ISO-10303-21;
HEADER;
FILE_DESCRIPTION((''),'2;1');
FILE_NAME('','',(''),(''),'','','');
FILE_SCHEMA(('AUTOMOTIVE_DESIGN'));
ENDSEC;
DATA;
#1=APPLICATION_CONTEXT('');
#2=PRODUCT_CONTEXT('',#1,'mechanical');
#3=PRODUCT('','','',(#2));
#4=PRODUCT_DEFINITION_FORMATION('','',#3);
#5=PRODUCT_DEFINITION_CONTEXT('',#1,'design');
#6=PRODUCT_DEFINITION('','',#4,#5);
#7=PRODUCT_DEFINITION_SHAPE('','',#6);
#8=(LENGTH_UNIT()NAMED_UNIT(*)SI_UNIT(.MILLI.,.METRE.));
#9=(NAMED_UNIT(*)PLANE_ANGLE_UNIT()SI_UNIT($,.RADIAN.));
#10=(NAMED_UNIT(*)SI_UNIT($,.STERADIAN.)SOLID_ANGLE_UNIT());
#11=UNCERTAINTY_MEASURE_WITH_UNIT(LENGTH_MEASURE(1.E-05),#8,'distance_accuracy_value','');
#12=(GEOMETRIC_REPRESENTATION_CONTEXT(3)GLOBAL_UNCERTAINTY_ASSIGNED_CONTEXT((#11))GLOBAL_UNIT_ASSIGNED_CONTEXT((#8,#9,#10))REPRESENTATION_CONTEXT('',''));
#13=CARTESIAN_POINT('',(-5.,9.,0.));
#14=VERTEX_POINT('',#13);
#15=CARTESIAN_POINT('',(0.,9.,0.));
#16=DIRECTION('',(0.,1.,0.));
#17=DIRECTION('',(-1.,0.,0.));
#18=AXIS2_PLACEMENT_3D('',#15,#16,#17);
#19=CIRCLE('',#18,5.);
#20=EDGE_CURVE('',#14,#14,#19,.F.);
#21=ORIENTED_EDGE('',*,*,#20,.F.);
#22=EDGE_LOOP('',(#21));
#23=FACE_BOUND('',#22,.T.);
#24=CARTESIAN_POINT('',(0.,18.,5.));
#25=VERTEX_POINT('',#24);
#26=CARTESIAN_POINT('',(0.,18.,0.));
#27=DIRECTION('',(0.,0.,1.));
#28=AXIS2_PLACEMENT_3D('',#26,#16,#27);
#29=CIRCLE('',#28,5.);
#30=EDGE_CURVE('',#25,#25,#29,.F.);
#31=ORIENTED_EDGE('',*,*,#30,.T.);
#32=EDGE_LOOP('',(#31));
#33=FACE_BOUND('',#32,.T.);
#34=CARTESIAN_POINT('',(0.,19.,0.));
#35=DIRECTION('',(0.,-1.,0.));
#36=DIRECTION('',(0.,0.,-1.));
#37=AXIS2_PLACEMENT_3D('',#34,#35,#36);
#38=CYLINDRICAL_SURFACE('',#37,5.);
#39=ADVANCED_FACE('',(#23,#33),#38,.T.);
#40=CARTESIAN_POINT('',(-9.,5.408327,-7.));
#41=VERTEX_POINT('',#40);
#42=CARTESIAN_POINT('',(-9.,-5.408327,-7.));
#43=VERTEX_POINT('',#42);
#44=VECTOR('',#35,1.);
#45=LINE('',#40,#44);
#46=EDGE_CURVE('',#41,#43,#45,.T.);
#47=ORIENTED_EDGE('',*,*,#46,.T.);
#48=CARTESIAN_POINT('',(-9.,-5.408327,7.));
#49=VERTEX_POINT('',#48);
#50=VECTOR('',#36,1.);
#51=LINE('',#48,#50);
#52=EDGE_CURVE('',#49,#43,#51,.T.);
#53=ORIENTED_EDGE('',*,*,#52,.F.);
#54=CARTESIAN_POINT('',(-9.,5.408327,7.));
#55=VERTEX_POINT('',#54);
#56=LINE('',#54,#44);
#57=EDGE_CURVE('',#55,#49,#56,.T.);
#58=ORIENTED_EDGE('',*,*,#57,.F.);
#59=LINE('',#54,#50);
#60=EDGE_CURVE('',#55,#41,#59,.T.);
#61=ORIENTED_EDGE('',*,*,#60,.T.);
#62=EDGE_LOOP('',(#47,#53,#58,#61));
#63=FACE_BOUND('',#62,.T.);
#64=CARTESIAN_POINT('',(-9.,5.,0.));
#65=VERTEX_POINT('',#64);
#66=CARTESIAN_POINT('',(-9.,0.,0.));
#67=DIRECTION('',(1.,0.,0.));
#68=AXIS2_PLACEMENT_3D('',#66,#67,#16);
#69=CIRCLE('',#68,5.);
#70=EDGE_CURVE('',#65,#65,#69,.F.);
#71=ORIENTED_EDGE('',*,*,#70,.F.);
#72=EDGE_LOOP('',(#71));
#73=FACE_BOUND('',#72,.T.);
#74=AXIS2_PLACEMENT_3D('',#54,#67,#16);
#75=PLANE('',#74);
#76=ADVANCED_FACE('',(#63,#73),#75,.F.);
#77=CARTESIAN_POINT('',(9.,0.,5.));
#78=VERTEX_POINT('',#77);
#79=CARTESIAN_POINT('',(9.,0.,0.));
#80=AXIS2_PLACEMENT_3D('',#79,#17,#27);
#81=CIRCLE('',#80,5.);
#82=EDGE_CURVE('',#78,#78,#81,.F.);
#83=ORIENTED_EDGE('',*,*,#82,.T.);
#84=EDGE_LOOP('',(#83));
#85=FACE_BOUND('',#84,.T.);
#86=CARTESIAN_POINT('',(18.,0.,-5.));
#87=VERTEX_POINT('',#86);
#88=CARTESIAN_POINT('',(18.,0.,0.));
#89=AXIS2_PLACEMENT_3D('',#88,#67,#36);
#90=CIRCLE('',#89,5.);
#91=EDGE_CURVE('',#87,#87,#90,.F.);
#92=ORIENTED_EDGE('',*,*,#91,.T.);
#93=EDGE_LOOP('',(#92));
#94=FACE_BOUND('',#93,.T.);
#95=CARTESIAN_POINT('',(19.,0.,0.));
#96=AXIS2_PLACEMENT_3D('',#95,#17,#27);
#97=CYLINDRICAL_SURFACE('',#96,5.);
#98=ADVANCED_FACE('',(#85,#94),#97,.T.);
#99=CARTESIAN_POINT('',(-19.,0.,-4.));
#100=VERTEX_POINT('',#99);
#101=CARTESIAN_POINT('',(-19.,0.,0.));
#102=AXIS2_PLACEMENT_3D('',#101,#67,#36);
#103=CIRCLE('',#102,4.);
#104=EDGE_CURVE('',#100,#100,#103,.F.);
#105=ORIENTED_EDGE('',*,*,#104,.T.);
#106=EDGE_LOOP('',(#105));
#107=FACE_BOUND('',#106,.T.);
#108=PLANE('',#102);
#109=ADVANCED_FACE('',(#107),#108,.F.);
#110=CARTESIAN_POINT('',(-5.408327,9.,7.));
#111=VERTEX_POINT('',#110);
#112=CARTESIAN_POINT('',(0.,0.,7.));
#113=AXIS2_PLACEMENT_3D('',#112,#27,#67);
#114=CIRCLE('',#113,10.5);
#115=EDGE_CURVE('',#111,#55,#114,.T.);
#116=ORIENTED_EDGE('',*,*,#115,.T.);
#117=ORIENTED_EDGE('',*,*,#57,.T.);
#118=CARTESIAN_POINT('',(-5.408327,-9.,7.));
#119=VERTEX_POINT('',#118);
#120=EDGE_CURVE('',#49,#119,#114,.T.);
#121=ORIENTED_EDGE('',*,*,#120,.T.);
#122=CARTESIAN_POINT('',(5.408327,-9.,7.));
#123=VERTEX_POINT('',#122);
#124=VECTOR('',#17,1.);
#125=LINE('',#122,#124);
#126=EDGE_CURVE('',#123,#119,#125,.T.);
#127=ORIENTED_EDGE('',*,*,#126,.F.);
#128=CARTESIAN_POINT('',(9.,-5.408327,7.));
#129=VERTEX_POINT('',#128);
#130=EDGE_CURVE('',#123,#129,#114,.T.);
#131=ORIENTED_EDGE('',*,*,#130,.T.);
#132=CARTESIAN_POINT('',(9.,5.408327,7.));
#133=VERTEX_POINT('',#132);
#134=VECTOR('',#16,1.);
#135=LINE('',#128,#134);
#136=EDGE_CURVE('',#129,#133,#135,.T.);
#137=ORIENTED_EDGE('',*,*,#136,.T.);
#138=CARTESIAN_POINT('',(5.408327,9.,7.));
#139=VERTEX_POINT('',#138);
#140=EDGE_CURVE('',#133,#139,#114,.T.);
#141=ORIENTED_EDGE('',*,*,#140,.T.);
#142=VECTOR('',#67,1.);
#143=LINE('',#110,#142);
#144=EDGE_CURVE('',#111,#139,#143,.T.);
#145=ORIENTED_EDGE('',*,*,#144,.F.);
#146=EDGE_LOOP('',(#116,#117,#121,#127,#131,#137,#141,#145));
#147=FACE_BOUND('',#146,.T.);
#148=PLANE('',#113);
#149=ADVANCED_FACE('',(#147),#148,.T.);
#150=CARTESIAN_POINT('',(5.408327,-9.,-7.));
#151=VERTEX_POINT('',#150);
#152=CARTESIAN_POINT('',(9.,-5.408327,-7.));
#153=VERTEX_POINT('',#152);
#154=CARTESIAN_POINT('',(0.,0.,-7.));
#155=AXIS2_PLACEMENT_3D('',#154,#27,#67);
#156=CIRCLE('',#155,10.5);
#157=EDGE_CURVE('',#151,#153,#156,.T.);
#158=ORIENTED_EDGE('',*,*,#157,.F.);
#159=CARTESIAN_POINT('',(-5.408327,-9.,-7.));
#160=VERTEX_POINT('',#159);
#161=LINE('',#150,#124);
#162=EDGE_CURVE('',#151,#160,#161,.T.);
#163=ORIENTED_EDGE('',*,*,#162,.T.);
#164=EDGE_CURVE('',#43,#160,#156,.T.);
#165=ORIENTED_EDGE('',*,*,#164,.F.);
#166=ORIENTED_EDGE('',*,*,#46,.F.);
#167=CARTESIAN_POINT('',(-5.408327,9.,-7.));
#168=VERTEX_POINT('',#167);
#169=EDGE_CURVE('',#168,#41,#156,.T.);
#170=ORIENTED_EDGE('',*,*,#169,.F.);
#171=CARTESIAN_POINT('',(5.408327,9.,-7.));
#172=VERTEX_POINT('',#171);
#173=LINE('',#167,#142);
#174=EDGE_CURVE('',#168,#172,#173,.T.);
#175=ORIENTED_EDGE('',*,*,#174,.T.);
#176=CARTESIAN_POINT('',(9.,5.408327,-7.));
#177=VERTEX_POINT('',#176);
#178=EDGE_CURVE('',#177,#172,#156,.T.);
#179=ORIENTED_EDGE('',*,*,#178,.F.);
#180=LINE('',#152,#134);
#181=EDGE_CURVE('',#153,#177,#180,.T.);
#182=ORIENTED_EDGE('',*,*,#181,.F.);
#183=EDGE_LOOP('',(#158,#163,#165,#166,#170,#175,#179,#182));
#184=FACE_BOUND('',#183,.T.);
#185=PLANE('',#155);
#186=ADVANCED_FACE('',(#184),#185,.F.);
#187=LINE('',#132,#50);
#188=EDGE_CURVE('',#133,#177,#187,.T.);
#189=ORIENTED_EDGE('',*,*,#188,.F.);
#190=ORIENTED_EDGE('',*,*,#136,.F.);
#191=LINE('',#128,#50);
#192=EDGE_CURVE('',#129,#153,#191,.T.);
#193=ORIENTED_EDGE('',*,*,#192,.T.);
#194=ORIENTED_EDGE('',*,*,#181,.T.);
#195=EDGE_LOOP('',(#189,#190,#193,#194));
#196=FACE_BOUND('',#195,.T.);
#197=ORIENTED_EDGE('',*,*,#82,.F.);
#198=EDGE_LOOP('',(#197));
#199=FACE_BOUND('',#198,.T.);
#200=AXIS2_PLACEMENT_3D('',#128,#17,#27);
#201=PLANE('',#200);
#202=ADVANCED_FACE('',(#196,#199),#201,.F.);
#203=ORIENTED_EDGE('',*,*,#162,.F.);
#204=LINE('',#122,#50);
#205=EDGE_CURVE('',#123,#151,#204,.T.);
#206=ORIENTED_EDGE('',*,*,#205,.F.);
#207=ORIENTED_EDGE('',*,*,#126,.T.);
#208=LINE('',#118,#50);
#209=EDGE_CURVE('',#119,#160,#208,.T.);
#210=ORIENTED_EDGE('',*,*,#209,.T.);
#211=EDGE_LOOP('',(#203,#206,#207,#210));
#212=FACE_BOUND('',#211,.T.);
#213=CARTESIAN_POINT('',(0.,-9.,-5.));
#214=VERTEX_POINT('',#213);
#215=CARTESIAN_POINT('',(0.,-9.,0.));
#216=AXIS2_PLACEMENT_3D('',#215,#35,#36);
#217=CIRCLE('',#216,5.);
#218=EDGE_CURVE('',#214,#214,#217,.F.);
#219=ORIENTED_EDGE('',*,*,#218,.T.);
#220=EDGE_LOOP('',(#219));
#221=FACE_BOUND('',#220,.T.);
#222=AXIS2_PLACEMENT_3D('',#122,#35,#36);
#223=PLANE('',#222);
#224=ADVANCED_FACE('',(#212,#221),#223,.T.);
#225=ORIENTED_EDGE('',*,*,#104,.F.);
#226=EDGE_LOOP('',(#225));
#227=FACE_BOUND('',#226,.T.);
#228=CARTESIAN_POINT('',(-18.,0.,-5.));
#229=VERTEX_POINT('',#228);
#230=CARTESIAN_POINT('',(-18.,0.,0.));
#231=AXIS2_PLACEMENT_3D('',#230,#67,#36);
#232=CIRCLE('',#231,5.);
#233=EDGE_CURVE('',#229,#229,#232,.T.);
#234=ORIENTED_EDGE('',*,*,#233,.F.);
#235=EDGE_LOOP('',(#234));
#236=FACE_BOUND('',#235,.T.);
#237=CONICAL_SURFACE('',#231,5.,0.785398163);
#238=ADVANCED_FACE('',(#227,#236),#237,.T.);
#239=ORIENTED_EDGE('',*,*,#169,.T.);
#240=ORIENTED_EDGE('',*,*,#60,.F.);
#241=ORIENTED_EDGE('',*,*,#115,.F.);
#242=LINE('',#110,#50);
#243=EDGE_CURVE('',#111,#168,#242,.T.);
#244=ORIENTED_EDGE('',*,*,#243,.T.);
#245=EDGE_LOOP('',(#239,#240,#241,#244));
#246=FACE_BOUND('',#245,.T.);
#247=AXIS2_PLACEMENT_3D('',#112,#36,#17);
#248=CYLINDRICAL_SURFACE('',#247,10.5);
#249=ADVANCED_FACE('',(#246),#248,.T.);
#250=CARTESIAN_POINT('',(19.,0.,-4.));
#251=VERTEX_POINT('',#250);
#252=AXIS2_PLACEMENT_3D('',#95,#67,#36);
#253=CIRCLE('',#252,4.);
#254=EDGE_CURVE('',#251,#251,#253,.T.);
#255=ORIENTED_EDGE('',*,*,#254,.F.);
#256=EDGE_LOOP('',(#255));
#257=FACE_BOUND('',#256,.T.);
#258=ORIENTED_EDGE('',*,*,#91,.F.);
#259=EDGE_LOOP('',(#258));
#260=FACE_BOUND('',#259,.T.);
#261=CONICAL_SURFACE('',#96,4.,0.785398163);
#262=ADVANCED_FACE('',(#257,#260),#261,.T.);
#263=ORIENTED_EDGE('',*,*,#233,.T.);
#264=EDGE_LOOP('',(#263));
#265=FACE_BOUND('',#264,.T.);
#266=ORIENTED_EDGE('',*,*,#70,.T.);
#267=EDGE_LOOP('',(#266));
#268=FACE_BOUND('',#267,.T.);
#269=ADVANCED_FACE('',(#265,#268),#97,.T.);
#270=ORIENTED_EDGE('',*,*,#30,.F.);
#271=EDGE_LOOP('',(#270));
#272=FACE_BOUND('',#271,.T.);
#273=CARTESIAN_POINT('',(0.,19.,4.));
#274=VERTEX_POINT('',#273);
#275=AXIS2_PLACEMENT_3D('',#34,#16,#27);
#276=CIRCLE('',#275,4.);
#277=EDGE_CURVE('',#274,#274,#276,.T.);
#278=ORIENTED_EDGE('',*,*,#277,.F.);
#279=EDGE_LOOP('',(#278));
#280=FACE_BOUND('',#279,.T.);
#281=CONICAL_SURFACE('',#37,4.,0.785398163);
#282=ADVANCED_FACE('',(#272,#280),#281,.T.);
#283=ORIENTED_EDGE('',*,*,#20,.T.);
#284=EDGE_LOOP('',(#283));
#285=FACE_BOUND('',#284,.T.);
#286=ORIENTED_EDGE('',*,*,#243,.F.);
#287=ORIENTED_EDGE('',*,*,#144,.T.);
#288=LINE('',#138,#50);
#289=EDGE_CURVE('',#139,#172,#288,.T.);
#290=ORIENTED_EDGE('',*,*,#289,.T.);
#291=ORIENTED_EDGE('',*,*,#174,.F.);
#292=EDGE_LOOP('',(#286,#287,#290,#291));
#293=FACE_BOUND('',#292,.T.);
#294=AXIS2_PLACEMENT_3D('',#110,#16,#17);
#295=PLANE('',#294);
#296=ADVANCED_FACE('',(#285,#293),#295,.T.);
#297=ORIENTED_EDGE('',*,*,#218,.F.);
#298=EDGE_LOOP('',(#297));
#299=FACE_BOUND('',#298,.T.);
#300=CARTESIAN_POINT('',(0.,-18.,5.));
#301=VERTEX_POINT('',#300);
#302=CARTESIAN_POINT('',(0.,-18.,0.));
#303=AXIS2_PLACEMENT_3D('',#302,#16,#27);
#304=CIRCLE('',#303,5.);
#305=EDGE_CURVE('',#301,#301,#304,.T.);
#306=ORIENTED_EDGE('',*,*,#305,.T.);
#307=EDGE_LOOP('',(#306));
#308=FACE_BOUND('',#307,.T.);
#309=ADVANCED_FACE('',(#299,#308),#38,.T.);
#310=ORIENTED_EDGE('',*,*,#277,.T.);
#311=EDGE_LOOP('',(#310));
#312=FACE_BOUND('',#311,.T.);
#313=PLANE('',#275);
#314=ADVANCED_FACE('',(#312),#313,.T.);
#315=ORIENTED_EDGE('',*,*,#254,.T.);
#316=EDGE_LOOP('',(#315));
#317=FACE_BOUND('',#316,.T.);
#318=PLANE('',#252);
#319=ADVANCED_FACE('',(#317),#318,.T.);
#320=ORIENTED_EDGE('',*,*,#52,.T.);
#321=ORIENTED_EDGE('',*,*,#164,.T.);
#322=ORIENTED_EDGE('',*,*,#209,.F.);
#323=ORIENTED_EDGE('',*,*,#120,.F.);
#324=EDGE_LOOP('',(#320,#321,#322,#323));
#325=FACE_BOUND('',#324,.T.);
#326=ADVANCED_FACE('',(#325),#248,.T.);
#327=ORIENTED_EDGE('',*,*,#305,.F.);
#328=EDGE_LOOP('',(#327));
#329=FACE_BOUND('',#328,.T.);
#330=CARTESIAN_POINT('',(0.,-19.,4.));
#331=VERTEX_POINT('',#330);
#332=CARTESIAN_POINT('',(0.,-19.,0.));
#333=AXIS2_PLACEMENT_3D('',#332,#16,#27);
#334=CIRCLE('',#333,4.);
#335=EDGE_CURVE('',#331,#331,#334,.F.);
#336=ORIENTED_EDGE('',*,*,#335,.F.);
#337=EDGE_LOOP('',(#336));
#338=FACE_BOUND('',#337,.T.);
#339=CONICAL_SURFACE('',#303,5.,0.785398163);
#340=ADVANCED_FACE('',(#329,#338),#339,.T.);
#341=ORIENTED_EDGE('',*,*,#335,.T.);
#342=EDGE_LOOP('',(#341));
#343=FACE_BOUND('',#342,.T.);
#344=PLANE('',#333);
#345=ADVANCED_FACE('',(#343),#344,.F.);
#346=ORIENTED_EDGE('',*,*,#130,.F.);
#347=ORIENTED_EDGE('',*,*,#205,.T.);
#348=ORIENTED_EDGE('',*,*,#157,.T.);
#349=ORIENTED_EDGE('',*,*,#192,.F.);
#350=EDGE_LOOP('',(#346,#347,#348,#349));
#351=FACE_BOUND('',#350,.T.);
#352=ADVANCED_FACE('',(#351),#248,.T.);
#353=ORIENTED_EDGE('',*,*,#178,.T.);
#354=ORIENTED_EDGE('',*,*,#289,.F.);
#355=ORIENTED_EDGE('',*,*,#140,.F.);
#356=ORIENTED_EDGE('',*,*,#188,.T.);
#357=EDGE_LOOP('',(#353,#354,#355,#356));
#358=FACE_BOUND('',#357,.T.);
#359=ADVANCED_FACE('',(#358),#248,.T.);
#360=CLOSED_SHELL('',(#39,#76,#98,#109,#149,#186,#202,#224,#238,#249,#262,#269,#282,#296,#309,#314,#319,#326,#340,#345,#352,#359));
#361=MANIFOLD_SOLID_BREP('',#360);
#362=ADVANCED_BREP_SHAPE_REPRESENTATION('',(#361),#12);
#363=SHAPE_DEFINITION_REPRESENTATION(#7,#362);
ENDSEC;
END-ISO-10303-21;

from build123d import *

# Parameters (mm, degrees)
BASE_EXTRUSION_DEPTH      = 7
BASE_EXTRUSION_DEPTH_BACK = 7
BOSS_EXTRU_4_DEPTH        = 19
BOSS_EXTRU_4_DEPTH_BACK   = 19
ESQUISSE8_R               = 5
BOSS_EXTRU_5_DEPTH        = 19
BOSS_EXTRU_5_DEPTH_BACK   = 19
ESQUISSE9_R               = 5
CHANFREIN2_SIZE           = 1


with BuildPart() as part:
    # Esquisse1 → Base-Extrusion (new, two sides: drawn at the far end of the back side and taken through both)
    with BuildSketch(Plane.XY.offset(-BASE_EXTRUSION_DEPTH_BACK)):
        with BuildLine():
            Line((-5.408326913, 9), (5.408326913, 9))
            ThreePointArc((5.408326913, 9), (7.424621202, 7.424621202), (9, 5.408326913))
            Line((9, 5.408326913), (9, -5.408326913))
            ThreePointArc((9, -5.408326913), (7.424621202, -7.424621202), (5.408326913, -9))
            Line((5.408326913, -9), (-5.408326913, -9))
            ThreePointArc((-5.408326913, -9), (-7.424621202, -7.424621202), (-9, -5.408326913))
            Line((-9, -5.408326913), (-9, 5.408326913))
            ThreePointArc((-9, 5.408326913), (-7.424621202, 7.424621202), (-5.408326913, 9))
        make_face()
    extrude(amount=BASE_EXTRUSION_DEPTH + BASE_EXTRUSION_DEPTH_BACK)

    # Esquisse8 → Boss.-Extru.4 (add, two sides: drawn at the far end of the back side and taken through both)
    with BuildSketch(Plane(origin=(0, 0, 0), x_dir=(1, 0, 0), z_dir=(0, 1, 0)).offset(-BOSS_EXTRU_4_DEPTH_BACK)):
        with Locations(Location((0, 0, 0), (0, 0, 90))):
            Circle(ESQUISSE8_R)
    extrude(amount=BOSS_EXTRU_4_DEPTH + BOSS_EXTRU_4_DEPTH_BACK)

    # Esquisse9 → Boss.-Extru.5 (add, two sides: drawn at the far end of the back side and taken through both)
    with BuildSketch(Plane(origin=(0, 0, 0), x_dir=(0, 0, -1), z_dir=(1, 0, 0)).offset(-BOSS_EXTRU_5_DEPTH_BACK)):
        with Locations(Location((0, 0, 0), (0, 0, 180))):
            Circle(ESQUISSE9_R)
    extrude(amount=BOSS_EXTRU_5_DEPTH + BOSS_EXTRU_5_DEPTH_BACK)

    # Chanfrein2
    chanfrein2_edges = [part.edges().sort_by_distance(p)[0] for p in [
        (0, 19, 5),
        (-19, 0, -5),
        (19, 0, -5),
        (0, -19, 5),
    ]]
    chamfer(chanfrein2_edges, length=CHANFREIN2_SIZE)


solid = part.part
